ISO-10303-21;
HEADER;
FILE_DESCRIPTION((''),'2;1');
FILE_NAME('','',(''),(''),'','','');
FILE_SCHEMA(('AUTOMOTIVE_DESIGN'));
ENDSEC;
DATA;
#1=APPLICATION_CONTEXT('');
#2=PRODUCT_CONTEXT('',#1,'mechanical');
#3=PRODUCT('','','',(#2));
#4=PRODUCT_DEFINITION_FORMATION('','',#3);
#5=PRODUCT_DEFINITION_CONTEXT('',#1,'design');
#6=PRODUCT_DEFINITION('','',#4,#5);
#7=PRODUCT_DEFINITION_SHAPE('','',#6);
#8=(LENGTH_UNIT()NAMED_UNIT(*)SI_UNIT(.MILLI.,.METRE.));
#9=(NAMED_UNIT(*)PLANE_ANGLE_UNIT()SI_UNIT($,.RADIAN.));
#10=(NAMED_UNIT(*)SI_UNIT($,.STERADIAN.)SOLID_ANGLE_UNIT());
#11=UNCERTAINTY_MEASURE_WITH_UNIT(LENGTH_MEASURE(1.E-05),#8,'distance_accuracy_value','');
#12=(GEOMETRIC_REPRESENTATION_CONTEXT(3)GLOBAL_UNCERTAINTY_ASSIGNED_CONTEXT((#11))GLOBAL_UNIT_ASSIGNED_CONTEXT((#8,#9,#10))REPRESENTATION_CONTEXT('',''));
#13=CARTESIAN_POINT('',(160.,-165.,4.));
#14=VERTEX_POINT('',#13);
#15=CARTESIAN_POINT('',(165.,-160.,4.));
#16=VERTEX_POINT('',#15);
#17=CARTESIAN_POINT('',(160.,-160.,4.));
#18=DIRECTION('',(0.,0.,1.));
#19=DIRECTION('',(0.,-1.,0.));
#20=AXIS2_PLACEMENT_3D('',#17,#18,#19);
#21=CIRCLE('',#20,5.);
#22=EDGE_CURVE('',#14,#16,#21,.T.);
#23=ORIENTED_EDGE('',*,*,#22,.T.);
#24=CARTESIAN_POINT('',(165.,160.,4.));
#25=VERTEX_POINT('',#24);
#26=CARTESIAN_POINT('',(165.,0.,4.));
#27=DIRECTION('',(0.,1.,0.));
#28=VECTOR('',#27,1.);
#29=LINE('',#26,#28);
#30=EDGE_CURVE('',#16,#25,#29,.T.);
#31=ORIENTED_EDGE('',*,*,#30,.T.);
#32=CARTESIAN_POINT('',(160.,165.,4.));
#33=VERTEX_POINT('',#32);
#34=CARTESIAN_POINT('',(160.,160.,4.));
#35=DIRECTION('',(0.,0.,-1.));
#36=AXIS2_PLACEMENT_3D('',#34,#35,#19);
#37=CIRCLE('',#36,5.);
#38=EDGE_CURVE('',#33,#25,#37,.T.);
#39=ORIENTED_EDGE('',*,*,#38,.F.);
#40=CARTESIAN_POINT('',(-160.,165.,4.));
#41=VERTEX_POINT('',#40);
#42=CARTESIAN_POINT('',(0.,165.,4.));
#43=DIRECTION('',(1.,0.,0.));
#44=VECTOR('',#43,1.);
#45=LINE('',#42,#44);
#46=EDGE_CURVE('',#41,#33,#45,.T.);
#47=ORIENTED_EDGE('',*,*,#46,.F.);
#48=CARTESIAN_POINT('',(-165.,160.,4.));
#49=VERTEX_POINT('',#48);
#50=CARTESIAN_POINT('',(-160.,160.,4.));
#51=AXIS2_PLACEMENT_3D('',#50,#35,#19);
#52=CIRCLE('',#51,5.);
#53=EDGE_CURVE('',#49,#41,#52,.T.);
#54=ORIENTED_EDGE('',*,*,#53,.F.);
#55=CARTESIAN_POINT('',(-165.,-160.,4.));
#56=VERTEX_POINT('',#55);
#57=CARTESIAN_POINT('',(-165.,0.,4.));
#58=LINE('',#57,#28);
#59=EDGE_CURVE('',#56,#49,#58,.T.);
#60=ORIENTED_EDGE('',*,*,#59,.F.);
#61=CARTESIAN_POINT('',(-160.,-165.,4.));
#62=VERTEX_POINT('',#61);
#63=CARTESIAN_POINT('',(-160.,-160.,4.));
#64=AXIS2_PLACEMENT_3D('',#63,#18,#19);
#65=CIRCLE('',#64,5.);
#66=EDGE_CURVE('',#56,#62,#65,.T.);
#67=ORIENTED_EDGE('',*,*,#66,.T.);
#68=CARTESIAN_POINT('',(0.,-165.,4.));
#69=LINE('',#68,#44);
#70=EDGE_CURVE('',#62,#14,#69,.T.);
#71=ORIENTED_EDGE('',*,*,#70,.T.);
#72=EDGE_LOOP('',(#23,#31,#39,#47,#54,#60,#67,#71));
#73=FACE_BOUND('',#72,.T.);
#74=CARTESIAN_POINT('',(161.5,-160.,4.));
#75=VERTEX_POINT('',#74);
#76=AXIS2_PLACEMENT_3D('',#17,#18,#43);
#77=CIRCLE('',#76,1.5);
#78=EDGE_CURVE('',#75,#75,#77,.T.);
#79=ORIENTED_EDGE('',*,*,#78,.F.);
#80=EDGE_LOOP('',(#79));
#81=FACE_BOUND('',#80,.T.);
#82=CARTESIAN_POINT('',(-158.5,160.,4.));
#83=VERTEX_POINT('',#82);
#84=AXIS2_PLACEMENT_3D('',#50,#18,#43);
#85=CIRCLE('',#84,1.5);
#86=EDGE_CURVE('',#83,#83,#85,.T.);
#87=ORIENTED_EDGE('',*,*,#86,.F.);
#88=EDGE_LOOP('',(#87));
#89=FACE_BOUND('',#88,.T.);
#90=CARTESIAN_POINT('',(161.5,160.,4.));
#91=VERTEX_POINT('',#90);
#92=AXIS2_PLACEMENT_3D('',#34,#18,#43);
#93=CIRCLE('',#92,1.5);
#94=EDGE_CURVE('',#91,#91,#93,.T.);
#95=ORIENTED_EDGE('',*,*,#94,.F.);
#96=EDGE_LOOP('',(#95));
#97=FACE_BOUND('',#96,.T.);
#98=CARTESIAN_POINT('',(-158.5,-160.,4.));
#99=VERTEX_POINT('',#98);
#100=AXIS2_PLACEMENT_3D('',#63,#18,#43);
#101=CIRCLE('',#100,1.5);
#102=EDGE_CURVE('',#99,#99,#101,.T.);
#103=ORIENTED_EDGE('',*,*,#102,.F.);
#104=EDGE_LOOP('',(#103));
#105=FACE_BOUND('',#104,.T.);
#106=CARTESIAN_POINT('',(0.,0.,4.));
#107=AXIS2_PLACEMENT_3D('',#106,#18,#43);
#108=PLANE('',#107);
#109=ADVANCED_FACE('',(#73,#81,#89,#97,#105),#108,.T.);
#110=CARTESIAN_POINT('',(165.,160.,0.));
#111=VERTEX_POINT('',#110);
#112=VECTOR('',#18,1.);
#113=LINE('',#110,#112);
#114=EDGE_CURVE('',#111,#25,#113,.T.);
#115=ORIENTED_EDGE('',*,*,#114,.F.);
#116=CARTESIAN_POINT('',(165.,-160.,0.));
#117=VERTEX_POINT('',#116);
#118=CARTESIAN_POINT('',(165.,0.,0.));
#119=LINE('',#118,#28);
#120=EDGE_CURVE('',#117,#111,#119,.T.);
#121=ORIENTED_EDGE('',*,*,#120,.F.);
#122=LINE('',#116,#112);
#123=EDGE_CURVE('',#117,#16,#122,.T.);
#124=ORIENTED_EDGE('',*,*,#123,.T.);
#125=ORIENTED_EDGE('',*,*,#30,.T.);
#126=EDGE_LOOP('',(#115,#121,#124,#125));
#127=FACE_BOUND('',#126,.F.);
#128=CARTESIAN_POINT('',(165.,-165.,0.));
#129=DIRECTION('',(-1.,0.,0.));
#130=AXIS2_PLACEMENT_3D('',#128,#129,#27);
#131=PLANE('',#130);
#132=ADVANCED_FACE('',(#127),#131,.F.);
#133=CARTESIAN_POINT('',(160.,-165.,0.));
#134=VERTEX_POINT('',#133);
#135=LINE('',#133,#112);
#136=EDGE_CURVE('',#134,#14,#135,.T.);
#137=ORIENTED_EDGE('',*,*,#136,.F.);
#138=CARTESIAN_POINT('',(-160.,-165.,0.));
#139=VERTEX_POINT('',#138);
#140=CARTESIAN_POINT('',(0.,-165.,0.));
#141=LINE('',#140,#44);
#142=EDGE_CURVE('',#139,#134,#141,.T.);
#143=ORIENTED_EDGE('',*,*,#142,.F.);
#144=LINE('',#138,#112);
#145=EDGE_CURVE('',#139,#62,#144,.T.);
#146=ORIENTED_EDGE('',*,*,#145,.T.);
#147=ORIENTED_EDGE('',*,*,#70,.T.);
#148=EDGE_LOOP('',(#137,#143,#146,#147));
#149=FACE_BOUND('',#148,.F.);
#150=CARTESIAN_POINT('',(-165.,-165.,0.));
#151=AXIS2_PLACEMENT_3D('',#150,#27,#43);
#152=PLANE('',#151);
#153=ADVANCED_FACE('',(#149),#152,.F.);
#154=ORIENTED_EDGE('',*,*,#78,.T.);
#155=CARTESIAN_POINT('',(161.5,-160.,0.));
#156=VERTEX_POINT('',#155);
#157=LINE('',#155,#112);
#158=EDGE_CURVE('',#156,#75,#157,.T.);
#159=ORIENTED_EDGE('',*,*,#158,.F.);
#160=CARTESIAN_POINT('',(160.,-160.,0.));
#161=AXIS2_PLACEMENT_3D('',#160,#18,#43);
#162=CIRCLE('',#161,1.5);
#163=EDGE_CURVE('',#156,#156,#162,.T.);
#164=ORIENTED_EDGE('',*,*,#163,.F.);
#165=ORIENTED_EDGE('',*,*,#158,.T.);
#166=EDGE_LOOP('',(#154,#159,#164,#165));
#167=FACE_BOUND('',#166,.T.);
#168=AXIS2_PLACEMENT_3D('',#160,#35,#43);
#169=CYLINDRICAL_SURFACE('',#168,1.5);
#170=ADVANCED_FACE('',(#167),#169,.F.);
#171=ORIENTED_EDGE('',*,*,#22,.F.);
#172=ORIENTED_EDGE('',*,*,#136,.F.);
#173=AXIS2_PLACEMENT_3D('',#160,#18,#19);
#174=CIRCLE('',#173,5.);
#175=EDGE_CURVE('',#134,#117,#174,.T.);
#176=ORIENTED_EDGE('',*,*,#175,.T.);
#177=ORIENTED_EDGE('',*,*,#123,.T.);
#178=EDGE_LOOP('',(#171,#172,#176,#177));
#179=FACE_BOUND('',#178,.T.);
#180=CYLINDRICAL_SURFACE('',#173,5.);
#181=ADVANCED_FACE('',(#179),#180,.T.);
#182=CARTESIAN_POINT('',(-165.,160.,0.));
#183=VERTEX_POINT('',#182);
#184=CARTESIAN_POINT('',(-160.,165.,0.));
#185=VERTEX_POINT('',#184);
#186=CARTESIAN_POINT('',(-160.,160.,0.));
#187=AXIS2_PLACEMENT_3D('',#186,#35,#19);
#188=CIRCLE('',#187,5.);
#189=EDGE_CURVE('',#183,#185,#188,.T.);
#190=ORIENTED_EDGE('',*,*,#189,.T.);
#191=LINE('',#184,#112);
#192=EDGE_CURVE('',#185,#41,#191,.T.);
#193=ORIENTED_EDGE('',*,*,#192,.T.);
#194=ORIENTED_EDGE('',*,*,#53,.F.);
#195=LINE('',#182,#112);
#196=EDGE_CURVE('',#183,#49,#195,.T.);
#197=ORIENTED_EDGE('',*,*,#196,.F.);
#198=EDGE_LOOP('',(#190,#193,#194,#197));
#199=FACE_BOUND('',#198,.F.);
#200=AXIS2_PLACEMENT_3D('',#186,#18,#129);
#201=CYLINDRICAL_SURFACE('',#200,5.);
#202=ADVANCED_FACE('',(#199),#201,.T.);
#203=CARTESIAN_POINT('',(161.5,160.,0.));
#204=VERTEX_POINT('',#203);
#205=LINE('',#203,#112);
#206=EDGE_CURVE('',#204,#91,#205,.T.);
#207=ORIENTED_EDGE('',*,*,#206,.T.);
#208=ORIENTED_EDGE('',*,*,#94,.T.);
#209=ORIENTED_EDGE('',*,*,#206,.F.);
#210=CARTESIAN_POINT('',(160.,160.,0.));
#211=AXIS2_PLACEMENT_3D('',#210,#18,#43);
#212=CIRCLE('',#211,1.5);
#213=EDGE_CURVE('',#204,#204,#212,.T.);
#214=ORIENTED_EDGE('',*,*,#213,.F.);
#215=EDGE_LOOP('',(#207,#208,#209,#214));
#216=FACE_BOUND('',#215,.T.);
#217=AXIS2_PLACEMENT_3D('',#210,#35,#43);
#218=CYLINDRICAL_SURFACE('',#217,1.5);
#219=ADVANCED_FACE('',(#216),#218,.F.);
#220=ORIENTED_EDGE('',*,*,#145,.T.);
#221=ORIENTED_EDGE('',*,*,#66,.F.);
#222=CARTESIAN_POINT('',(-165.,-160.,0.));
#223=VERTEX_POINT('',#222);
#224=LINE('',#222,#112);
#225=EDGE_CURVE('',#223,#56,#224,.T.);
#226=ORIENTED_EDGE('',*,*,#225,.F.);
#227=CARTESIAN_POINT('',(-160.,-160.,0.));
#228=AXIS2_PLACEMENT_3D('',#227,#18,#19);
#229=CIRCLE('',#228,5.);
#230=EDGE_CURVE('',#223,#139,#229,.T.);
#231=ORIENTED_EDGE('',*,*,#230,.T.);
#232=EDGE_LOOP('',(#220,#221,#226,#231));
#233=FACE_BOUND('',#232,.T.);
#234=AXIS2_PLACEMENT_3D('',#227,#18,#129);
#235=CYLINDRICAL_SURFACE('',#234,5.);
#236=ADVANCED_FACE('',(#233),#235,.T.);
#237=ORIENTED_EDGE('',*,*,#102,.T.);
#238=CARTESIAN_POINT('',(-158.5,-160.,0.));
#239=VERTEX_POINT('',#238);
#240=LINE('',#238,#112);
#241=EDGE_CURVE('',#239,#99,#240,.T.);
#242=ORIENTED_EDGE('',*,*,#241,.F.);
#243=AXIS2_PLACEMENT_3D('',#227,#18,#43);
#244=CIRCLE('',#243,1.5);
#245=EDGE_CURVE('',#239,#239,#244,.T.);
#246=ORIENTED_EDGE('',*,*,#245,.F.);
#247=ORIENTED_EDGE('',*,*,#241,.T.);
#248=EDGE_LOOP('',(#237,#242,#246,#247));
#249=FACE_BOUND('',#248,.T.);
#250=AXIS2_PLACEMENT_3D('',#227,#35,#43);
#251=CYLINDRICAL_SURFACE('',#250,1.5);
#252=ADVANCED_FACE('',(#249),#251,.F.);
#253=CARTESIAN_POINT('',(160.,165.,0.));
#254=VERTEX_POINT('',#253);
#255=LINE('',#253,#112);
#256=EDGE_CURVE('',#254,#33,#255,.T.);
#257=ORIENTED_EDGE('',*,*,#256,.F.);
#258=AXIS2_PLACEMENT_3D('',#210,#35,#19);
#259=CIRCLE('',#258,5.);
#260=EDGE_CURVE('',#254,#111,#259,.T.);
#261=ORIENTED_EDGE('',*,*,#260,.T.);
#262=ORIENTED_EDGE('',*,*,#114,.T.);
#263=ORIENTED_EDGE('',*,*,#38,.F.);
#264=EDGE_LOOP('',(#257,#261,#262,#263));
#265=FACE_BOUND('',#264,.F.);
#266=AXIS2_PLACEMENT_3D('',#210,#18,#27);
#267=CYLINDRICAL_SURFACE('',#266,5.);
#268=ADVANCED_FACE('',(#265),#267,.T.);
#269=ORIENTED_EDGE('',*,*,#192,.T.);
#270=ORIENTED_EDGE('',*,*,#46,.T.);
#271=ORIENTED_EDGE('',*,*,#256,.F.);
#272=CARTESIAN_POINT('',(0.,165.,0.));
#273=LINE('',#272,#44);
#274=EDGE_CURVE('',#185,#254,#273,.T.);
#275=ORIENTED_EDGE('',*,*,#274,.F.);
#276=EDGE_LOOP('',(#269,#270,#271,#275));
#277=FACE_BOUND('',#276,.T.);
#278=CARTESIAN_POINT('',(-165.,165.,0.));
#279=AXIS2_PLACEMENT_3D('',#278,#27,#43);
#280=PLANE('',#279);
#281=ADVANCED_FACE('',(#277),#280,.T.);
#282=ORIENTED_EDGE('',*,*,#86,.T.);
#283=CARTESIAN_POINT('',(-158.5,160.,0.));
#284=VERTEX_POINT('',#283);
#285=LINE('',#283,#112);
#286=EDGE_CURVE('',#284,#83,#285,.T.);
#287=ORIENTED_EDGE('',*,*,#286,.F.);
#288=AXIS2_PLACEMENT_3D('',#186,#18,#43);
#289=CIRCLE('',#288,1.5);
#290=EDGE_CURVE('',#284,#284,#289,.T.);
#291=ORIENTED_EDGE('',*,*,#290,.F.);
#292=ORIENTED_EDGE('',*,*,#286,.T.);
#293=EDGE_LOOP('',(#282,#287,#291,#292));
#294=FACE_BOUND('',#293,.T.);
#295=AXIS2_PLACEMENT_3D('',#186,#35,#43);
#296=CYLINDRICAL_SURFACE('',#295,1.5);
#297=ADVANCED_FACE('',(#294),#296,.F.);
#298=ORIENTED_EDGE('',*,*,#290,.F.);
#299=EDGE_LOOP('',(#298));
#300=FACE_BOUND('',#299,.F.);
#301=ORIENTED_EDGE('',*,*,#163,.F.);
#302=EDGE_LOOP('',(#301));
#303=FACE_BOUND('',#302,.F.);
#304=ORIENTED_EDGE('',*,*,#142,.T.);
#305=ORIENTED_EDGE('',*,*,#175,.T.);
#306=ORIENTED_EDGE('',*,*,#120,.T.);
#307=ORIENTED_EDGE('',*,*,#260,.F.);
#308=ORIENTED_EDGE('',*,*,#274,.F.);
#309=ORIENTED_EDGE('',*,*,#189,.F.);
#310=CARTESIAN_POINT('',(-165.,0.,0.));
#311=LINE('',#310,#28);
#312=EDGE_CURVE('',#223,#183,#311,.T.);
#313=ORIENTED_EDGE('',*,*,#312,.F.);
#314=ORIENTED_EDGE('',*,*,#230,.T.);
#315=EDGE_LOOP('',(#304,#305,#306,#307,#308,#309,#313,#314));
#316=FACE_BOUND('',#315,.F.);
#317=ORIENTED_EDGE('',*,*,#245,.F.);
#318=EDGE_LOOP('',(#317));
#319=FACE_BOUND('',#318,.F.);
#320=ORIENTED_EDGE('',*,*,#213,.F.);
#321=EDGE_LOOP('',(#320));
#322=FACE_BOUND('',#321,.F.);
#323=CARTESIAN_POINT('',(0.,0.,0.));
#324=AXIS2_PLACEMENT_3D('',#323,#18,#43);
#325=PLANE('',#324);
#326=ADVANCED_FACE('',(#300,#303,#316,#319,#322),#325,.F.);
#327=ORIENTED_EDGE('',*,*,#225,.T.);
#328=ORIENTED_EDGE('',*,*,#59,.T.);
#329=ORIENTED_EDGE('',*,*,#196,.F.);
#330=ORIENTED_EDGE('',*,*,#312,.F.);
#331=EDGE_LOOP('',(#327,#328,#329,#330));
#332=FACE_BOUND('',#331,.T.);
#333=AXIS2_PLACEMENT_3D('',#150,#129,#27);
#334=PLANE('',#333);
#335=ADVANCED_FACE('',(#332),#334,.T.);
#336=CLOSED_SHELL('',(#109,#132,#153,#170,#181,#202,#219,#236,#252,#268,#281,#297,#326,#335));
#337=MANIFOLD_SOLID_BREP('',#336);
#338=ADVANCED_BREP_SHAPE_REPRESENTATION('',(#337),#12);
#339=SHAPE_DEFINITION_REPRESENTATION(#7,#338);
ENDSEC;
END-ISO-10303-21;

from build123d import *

# Parameters (mm, degrees)
F0_W     = 330
F0_H     = 330
F0_R     = 1.5
F1_DEPTH = 4
F2_R     = 5


with BuildPart() as f1:
    # F0 (on Top) → F1 (new body)
    with BuildSketch(Plane.XY):
        Rectangle(F0_W, F0_H)
        with Locations((-160, -160)):
            Circle(F0_R, mode=Mode.SUBTRACT)
        with Locations((160, -160)):
            Circle(F0_R, mode=Mode.SUBTRACT)
        with Locations((-160, 160)):
            Circle(F0_R, mode=Mode.SUBTRACT)
        with Locations((160, 160)):
            Circle(F0_R, mode=Mode.SUBTRACT)
    extrude(amount=F1_DEPTH)

    # F2
    f2_edges = [f1.edges().sort_by_distance(p)[0] for p in [
        (165, -165, 2),
        (-165, -165, 2),
        (-165, 165, 2),
        (165, 165, 2),
    ]]
    fillet(f2_edges, radius=F2_R)


solid = f1.part
